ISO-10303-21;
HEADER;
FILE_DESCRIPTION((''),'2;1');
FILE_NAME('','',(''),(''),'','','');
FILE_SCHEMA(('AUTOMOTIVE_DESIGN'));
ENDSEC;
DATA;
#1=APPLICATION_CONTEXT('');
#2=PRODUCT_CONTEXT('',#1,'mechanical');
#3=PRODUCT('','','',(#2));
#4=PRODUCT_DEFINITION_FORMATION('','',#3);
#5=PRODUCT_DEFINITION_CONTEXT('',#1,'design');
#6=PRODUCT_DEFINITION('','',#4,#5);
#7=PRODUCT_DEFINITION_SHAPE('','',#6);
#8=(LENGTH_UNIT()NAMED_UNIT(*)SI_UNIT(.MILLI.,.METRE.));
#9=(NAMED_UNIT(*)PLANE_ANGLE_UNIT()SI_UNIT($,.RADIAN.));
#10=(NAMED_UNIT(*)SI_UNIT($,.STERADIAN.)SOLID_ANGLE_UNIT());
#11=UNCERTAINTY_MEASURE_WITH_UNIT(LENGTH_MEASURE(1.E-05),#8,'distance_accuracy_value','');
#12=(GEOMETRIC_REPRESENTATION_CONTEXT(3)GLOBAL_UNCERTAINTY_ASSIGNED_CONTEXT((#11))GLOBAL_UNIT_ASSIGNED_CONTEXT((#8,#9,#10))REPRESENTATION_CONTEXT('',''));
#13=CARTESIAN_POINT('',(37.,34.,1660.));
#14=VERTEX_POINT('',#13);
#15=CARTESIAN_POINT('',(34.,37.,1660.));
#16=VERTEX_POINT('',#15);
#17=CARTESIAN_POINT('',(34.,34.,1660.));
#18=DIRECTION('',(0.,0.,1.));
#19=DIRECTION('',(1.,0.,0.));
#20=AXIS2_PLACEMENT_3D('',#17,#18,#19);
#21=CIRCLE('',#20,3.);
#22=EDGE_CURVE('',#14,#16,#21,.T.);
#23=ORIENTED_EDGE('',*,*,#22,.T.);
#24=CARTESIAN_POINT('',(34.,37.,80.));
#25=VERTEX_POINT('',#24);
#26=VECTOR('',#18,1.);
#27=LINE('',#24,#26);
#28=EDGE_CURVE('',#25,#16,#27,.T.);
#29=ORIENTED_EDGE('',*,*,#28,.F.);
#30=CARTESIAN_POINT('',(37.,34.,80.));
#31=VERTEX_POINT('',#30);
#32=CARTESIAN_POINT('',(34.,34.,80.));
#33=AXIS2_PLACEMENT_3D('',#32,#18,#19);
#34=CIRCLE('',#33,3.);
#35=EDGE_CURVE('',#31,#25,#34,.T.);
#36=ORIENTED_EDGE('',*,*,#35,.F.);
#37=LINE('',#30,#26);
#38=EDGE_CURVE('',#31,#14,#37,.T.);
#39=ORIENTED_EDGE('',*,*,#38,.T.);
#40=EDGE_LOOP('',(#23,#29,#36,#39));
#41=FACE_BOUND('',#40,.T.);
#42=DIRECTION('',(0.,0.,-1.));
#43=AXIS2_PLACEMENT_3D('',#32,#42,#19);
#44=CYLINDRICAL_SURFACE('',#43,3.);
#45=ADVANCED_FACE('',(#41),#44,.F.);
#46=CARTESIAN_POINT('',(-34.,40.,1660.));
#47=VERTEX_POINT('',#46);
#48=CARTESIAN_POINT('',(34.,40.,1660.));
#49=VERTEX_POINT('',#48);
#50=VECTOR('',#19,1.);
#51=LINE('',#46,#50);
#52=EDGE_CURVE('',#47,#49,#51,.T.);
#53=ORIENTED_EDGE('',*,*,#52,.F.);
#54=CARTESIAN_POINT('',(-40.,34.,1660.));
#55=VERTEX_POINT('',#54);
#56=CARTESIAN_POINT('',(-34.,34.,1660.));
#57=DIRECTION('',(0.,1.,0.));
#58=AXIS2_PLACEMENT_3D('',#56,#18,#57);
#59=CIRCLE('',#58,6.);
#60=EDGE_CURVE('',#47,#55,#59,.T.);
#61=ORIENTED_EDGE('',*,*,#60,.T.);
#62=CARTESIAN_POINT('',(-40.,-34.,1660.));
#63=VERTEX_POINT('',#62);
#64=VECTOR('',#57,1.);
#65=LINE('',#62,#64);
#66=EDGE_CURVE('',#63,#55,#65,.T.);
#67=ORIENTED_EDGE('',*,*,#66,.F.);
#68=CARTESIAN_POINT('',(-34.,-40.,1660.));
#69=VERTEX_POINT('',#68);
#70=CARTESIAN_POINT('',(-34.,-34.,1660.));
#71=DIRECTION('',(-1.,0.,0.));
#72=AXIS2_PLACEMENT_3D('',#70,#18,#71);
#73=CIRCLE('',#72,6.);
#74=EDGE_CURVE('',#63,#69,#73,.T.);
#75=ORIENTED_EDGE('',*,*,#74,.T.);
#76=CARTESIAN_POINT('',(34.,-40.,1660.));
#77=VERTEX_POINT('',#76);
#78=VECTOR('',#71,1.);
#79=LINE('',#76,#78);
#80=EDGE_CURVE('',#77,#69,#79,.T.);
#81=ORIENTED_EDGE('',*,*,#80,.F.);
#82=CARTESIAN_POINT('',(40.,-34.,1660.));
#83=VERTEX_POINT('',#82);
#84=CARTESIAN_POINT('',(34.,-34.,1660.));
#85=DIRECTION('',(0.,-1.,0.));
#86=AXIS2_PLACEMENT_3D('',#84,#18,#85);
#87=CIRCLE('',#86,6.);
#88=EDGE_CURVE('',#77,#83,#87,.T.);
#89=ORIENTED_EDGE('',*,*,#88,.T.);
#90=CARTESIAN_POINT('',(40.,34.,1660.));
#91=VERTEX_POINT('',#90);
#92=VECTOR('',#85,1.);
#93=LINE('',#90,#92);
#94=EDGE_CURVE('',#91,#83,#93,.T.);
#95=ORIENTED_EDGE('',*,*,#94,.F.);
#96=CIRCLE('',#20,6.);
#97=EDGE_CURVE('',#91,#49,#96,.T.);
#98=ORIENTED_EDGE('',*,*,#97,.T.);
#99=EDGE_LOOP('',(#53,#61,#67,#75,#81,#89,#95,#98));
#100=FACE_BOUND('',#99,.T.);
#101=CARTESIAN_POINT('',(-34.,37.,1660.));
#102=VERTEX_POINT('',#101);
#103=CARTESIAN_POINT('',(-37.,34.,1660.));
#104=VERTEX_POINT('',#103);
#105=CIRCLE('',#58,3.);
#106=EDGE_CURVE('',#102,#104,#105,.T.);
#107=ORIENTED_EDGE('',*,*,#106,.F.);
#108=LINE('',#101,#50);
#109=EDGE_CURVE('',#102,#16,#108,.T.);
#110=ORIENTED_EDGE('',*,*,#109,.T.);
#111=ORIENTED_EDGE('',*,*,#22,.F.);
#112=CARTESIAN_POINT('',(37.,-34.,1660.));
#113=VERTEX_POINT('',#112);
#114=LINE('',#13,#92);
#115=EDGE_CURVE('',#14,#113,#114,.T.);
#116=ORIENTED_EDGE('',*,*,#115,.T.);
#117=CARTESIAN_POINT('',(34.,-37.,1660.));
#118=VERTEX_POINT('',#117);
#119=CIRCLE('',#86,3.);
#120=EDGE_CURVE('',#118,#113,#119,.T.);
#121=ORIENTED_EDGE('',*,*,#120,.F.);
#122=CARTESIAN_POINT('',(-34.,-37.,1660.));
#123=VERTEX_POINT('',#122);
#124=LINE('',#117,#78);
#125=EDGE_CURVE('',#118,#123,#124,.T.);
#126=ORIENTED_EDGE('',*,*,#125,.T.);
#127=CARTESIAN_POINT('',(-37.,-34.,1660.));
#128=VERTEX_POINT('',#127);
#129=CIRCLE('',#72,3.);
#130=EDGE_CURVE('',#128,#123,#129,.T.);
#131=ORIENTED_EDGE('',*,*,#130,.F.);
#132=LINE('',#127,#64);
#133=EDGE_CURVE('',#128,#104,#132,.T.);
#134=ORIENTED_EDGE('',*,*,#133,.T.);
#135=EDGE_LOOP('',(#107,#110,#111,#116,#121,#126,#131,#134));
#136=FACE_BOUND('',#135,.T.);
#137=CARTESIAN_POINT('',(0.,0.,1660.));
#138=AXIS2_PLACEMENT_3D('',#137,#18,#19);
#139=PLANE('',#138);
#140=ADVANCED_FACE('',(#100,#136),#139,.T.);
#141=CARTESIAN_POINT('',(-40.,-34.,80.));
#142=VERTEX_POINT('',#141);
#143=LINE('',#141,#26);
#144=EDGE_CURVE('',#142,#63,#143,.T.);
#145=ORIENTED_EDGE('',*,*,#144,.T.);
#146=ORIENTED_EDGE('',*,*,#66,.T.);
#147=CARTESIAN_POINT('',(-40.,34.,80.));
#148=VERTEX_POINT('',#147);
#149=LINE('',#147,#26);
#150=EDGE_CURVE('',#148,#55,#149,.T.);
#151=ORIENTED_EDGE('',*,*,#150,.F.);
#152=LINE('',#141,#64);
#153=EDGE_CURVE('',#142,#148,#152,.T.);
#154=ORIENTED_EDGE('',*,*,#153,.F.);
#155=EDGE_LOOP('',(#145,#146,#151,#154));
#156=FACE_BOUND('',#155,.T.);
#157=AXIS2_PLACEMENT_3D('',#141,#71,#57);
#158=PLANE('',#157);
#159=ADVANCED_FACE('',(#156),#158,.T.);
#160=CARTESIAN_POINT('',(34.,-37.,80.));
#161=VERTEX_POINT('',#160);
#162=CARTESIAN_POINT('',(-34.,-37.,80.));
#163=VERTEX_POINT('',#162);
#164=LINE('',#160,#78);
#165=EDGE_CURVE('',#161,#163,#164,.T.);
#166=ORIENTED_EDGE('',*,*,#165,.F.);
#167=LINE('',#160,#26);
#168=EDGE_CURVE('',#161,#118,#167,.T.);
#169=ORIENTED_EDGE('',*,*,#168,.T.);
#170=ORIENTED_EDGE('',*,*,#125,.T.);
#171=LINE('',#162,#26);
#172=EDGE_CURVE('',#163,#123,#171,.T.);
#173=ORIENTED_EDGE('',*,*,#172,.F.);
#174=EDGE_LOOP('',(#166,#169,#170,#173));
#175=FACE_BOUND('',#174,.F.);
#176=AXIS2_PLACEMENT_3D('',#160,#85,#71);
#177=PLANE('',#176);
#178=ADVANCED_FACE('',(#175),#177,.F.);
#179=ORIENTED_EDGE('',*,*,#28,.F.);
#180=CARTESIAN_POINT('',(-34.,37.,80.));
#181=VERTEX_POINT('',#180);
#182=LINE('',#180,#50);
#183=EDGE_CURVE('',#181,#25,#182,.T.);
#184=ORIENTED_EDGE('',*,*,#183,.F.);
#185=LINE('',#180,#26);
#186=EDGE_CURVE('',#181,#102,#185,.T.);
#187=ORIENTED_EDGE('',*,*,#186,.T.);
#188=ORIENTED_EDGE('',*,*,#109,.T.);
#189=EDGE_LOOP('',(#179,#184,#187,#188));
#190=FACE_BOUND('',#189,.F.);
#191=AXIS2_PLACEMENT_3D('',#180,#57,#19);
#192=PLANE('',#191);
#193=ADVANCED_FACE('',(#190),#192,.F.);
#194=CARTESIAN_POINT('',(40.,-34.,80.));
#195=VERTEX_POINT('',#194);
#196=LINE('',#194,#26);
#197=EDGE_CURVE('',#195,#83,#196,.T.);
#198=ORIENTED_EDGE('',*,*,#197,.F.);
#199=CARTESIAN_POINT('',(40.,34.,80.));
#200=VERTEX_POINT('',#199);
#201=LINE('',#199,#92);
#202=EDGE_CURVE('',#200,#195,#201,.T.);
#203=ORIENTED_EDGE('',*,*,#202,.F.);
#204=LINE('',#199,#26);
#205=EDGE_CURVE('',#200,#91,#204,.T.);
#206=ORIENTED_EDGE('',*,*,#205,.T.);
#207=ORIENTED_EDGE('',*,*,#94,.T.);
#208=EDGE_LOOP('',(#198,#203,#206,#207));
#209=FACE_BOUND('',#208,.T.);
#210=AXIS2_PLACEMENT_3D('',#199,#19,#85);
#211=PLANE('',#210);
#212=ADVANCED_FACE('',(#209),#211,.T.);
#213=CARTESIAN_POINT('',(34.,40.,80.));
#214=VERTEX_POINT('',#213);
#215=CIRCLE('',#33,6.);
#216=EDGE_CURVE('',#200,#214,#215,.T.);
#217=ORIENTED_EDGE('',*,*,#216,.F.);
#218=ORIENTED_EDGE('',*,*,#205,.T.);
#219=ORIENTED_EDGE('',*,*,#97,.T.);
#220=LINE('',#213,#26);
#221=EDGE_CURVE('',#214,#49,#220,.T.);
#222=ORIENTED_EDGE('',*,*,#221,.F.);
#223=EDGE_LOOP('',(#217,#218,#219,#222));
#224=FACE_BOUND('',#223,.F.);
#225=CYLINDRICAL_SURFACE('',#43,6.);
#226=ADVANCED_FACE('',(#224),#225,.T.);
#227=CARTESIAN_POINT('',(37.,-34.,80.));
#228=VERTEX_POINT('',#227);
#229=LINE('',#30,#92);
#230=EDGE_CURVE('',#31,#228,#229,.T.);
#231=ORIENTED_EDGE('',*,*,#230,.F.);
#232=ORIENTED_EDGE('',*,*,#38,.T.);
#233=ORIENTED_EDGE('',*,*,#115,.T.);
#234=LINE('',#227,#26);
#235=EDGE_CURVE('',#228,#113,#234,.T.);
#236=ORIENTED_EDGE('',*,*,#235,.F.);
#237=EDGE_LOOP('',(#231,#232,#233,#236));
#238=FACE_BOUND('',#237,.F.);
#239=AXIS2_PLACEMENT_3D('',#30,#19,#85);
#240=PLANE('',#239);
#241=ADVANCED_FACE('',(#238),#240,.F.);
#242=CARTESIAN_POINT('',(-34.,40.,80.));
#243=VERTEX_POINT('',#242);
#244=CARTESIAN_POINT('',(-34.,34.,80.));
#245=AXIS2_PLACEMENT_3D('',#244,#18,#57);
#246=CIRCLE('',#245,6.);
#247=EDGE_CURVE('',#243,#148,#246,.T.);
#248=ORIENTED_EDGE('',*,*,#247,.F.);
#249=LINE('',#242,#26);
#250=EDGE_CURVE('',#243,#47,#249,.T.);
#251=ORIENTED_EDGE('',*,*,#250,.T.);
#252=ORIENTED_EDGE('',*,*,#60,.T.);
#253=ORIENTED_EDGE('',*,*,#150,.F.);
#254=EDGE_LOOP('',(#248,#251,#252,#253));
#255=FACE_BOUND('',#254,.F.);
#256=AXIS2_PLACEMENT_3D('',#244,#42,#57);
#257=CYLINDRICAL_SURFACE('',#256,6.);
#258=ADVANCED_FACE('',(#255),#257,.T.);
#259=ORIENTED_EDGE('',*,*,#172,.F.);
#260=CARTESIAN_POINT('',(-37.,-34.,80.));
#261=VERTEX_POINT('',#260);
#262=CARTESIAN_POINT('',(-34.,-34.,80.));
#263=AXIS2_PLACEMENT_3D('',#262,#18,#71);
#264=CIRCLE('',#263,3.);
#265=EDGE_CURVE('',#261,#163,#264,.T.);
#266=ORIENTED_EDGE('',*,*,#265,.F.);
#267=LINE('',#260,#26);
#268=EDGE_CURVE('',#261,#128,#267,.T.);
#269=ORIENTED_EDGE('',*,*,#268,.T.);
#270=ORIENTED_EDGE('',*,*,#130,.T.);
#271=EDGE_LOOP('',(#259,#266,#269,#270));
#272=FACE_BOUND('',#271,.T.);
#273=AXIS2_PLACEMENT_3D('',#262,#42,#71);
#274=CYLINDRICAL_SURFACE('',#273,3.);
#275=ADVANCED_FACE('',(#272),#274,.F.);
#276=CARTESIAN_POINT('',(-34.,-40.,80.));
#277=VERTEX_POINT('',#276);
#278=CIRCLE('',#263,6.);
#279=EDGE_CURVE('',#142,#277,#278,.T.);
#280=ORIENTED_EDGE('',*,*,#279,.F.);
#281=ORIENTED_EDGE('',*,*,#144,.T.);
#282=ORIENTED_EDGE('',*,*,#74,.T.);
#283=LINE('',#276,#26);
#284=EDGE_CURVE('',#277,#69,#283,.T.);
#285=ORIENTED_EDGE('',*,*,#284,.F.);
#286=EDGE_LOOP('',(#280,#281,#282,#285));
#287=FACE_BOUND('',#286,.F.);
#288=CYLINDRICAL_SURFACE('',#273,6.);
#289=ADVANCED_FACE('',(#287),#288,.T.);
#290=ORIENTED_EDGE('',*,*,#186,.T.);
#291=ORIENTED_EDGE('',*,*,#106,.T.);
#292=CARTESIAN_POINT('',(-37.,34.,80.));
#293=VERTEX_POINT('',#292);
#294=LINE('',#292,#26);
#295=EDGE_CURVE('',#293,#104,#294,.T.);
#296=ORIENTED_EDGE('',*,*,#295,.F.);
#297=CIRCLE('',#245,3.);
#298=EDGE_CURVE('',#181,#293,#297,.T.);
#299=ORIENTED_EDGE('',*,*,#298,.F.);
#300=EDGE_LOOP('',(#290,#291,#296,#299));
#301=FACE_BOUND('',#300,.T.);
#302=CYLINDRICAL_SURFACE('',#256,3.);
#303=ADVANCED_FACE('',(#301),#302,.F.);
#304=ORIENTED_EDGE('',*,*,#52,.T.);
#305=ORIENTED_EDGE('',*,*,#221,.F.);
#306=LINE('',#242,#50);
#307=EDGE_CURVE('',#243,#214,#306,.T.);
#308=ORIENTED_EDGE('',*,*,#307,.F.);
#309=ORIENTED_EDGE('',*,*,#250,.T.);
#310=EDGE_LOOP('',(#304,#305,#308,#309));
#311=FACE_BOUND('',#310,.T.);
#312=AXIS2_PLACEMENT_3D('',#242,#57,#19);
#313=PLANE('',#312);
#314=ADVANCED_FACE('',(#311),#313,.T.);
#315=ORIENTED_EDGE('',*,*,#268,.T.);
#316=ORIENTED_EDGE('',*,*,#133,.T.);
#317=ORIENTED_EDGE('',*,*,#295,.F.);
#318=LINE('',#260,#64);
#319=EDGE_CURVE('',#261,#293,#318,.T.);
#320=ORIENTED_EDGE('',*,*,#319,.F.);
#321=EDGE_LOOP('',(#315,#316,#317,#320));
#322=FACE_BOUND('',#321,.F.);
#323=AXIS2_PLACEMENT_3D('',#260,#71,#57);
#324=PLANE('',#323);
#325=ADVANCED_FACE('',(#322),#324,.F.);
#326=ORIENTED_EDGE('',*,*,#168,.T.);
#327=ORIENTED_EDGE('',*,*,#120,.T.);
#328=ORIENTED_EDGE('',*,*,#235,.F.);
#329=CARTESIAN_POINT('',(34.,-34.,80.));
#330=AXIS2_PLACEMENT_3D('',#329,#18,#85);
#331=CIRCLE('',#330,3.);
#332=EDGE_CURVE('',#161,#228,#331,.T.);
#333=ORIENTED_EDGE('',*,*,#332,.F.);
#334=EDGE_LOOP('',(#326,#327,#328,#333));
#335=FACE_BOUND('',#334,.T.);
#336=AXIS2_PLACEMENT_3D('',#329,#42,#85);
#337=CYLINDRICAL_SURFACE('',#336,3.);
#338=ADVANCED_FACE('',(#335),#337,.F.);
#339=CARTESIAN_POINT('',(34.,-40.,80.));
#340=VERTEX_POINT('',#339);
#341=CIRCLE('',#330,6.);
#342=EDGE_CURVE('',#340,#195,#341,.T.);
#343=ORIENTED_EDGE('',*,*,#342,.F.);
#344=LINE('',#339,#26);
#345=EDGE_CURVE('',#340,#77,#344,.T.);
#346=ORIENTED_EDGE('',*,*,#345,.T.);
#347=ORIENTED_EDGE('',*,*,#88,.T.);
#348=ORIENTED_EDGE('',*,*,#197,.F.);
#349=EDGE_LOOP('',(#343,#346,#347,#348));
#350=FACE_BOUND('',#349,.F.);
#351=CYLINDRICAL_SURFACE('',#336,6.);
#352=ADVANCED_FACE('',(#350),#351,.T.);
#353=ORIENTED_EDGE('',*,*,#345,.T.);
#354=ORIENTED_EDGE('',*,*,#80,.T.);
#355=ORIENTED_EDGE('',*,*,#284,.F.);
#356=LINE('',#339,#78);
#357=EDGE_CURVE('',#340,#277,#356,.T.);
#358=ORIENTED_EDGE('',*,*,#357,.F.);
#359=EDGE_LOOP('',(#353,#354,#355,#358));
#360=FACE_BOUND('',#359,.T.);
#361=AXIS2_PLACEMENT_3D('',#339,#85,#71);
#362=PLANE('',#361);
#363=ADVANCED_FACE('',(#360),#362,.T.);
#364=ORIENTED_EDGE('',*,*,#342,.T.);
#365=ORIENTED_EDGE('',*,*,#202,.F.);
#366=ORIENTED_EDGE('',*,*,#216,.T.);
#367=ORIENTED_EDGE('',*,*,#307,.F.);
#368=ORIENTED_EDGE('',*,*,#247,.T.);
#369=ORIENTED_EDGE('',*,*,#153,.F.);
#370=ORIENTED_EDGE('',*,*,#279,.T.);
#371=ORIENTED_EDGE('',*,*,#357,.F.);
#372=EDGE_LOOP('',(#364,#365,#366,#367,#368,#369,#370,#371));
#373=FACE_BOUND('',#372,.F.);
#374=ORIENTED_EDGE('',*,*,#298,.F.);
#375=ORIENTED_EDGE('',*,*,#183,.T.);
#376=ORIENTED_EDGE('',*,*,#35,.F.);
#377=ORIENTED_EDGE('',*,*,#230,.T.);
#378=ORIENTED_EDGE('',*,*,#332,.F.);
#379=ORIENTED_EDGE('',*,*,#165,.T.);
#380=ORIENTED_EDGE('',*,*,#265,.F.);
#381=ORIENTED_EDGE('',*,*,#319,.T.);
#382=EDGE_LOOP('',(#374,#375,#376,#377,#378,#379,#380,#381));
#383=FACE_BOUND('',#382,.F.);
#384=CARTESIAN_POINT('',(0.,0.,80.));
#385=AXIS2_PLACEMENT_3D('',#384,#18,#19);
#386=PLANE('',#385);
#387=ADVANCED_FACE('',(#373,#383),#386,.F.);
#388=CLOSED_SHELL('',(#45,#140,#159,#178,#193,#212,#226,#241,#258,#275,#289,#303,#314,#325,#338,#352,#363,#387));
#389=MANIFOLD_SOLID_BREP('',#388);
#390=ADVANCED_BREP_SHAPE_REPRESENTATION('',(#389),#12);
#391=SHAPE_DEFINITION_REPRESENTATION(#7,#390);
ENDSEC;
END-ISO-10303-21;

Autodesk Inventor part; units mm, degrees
ref_plane "YZ Plane" through (0, 0, 0) normal (1, 0, 0) x (0, 1, 0)
ref_plane "Start Plane" through (0, 0, 80) normal (0, 0, 1) x (1, 0, 0)
ref_plane "End Plane" through (0, 0, 1660) normal (0, 0, 1) x (1, 0, 0)
sketch "Sketch" plane through (0, 0, 0) normal (0, 0, 1) x (1, 0, 0)
  line L0 (-40, -34) -> (-40, 34)
  line L1 (-34, 40) -> (34, 40)
  line L2 (40, 34) -> (40, -34)
  line L3 (34, -40) -> (-34, -40)
  arc A0 (-40, -34) -> (-34, -40) centre (-34, -34) ccw
  arc A1 (40, 34) -> (34, 40) centre (34, 34) ccw
  arc A2 (-34, 40) -> (-40, 34) centre (-34, 34) ccw
  arc A3 (34, -40) -> (40, -34) centre (34, -34) ccw
  arc A4 (-34, 37) -> (-37, 34) centre (-34, 34) ccw
  line L4 (-34, 37) -> (34, 37)
  arc A5 (37, 34) -> (34, 37) centre (34, 34) ccw
  line L5 (37, 34) -> (37, -34)
  arc A6 (34, -37) -> (37, -34) centre (34, -34) ccw
  line L6 (34, -37) -> (-34, -37)
  arc A7 (-37, -34) -> (-34, -37) centre (-34, -34) ccw
  line L7 (-37, -34) -> (-37, 34)
  line L8 (0, 57.7397) -> (0, -57.7397) construction
  line L9 (-57.7397, 0) -> (57.7397, 0) construction
  dimension "d7" = 6
  dimension "d9" = 80
  dimension "d11" = 80
  dimension "d12" = 3
  dimension "d15" = 40
  dimension "d16" = 40
extrude "Body" add sketch "Sketch" along normal up to surface (1580 mm away) from surface at 80
sketch "Sketch3" plane through (0, 0, 0) normal (0, 0, 1) x (1, 0, 0)
  line L0 (0, 0) -> (10, 0)
ref_plane "Work Plane3" through (0, 0, 0) normal (0, -1, 0) x (1, 0, 0)
sketch "Sketch4" plane through (0, 0, 0) normal (0, -1, 0) x (1, 0, 0)
  line L0 (-2, 80) -> (12, 80) projected
  line L1 (-2, 1660) -> (12, 1660) projected
  dimension "d18" = 1580
equation "\"d7\" = G_IR"
equation "\"d9\" = G_W"
equation "\"d11\" = G_H"
equation "\"d12\" = G_T"
equation "\"d15\" = 0.5 * d9"
equation "\"d16\" = 0.5 * d11"
equation "\"d3\" = G_L"
equation "\"G_W\" = 80"
equation "\"G_H\" = 80"
equation "\"G_T\" = 3"
equation "\"G_IR\" = 6"
equation "\"G_L\" = d18"
properties part number "ISO 10799-2 - 80x80x3 - 1580" material "Steel, Mild"
